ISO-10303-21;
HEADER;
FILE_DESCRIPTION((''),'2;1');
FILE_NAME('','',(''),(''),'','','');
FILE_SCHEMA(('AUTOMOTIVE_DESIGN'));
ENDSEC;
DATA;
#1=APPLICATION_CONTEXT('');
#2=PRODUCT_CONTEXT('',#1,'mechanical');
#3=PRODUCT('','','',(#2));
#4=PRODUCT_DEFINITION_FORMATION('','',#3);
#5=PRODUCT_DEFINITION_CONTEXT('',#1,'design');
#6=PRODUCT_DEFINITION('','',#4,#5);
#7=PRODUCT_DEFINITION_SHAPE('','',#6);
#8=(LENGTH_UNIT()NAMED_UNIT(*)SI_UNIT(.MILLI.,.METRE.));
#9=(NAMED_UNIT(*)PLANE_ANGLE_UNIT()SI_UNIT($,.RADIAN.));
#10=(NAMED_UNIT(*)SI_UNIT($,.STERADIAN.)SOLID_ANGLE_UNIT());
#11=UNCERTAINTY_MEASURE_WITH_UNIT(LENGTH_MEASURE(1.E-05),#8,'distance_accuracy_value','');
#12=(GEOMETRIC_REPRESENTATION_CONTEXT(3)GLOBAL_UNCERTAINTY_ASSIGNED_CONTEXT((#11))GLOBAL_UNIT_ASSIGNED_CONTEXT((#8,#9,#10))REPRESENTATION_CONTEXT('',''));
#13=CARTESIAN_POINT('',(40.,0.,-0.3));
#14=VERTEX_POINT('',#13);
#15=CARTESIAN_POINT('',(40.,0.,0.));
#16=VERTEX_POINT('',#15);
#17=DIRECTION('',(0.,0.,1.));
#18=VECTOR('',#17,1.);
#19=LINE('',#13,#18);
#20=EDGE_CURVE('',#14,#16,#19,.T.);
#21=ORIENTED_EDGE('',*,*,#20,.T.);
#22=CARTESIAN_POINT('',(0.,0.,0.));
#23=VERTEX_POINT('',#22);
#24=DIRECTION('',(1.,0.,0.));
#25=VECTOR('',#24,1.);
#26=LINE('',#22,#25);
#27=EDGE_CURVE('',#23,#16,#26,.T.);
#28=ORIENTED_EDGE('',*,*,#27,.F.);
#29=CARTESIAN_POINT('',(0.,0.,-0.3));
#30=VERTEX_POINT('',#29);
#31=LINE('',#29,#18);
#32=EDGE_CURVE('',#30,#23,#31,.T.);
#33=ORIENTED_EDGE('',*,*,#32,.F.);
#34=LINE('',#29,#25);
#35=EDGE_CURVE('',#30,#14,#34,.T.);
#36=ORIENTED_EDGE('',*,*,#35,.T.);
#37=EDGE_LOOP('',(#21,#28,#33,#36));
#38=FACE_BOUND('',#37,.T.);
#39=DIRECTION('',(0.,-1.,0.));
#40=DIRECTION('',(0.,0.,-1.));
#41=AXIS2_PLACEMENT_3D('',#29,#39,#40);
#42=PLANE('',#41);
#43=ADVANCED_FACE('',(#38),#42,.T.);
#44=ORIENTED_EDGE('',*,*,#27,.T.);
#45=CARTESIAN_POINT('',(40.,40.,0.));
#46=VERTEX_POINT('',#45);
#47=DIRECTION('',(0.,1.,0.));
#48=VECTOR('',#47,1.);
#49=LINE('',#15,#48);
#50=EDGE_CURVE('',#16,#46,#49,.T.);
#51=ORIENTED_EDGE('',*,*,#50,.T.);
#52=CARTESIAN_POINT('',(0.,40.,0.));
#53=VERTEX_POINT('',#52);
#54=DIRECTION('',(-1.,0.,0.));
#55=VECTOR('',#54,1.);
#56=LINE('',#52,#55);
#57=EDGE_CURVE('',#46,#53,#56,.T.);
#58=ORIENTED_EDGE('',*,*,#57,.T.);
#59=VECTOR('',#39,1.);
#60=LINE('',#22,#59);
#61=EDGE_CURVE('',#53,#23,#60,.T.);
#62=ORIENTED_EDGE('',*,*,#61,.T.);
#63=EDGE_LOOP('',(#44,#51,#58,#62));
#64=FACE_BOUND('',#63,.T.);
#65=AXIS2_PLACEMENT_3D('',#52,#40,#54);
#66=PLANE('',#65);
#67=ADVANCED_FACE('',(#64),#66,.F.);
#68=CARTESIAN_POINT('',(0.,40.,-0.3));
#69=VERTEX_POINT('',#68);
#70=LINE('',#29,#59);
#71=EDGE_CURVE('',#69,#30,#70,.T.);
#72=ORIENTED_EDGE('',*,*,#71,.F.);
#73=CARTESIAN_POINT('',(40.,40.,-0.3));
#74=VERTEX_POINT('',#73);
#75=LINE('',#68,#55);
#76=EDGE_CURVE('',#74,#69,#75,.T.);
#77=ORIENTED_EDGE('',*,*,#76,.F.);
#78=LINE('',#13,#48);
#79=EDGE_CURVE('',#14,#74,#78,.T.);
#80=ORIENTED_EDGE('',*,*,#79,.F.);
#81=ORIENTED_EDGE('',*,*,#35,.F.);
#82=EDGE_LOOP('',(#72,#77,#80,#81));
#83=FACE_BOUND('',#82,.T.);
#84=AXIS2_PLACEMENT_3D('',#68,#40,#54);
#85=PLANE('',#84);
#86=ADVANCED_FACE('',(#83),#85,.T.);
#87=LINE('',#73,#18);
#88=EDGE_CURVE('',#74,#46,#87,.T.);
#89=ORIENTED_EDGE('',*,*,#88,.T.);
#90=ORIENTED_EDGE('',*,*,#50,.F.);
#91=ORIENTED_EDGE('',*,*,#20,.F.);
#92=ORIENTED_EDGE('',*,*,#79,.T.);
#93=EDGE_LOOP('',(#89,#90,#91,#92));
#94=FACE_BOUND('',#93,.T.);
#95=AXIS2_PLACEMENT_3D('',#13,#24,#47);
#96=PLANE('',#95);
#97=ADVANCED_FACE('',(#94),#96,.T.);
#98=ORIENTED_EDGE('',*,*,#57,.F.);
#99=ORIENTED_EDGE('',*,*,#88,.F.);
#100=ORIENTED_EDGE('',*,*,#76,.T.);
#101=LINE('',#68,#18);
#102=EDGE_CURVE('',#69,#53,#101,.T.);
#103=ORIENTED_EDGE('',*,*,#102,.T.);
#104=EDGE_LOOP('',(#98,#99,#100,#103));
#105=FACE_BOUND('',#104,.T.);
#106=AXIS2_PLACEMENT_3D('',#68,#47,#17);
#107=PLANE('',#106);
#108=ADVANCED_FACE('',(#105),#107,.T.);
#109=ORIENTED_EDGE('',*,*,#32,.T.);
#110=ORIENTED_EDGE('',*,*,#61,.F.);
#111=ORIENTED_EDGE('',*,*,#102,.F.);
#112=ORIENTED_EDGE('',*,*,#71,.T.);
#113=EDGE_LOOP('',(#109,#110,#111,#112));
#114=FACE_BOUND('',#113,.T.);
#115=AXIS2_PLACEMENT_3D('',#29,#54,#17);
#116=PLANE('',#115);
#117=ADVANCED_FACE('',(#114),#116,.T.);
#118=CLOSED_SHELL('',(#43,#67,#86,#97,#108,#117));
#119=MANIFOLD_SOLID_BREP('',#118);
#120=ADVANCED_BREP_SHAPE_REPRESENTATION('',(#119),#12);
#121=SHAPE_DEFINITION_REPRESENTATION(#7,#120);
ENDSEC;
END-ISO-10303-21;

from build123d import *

# Parameters (mm, degrees)
SKETCH1_W      = 40
SKETCH1_H      = 40
EXTRUDE1_DEPTH = 0.3


with BuildPart() as part:
    # Sketch1 → Extrude1 (new body)
    with BuildSketch(Plane.XY):
        with Locations((20, 20)):
            Rectangle(SKETCH1_W, SKETCH1_H)
    extrude(amount=-EXTRUDE1_DEPTH)


solid = part.part
